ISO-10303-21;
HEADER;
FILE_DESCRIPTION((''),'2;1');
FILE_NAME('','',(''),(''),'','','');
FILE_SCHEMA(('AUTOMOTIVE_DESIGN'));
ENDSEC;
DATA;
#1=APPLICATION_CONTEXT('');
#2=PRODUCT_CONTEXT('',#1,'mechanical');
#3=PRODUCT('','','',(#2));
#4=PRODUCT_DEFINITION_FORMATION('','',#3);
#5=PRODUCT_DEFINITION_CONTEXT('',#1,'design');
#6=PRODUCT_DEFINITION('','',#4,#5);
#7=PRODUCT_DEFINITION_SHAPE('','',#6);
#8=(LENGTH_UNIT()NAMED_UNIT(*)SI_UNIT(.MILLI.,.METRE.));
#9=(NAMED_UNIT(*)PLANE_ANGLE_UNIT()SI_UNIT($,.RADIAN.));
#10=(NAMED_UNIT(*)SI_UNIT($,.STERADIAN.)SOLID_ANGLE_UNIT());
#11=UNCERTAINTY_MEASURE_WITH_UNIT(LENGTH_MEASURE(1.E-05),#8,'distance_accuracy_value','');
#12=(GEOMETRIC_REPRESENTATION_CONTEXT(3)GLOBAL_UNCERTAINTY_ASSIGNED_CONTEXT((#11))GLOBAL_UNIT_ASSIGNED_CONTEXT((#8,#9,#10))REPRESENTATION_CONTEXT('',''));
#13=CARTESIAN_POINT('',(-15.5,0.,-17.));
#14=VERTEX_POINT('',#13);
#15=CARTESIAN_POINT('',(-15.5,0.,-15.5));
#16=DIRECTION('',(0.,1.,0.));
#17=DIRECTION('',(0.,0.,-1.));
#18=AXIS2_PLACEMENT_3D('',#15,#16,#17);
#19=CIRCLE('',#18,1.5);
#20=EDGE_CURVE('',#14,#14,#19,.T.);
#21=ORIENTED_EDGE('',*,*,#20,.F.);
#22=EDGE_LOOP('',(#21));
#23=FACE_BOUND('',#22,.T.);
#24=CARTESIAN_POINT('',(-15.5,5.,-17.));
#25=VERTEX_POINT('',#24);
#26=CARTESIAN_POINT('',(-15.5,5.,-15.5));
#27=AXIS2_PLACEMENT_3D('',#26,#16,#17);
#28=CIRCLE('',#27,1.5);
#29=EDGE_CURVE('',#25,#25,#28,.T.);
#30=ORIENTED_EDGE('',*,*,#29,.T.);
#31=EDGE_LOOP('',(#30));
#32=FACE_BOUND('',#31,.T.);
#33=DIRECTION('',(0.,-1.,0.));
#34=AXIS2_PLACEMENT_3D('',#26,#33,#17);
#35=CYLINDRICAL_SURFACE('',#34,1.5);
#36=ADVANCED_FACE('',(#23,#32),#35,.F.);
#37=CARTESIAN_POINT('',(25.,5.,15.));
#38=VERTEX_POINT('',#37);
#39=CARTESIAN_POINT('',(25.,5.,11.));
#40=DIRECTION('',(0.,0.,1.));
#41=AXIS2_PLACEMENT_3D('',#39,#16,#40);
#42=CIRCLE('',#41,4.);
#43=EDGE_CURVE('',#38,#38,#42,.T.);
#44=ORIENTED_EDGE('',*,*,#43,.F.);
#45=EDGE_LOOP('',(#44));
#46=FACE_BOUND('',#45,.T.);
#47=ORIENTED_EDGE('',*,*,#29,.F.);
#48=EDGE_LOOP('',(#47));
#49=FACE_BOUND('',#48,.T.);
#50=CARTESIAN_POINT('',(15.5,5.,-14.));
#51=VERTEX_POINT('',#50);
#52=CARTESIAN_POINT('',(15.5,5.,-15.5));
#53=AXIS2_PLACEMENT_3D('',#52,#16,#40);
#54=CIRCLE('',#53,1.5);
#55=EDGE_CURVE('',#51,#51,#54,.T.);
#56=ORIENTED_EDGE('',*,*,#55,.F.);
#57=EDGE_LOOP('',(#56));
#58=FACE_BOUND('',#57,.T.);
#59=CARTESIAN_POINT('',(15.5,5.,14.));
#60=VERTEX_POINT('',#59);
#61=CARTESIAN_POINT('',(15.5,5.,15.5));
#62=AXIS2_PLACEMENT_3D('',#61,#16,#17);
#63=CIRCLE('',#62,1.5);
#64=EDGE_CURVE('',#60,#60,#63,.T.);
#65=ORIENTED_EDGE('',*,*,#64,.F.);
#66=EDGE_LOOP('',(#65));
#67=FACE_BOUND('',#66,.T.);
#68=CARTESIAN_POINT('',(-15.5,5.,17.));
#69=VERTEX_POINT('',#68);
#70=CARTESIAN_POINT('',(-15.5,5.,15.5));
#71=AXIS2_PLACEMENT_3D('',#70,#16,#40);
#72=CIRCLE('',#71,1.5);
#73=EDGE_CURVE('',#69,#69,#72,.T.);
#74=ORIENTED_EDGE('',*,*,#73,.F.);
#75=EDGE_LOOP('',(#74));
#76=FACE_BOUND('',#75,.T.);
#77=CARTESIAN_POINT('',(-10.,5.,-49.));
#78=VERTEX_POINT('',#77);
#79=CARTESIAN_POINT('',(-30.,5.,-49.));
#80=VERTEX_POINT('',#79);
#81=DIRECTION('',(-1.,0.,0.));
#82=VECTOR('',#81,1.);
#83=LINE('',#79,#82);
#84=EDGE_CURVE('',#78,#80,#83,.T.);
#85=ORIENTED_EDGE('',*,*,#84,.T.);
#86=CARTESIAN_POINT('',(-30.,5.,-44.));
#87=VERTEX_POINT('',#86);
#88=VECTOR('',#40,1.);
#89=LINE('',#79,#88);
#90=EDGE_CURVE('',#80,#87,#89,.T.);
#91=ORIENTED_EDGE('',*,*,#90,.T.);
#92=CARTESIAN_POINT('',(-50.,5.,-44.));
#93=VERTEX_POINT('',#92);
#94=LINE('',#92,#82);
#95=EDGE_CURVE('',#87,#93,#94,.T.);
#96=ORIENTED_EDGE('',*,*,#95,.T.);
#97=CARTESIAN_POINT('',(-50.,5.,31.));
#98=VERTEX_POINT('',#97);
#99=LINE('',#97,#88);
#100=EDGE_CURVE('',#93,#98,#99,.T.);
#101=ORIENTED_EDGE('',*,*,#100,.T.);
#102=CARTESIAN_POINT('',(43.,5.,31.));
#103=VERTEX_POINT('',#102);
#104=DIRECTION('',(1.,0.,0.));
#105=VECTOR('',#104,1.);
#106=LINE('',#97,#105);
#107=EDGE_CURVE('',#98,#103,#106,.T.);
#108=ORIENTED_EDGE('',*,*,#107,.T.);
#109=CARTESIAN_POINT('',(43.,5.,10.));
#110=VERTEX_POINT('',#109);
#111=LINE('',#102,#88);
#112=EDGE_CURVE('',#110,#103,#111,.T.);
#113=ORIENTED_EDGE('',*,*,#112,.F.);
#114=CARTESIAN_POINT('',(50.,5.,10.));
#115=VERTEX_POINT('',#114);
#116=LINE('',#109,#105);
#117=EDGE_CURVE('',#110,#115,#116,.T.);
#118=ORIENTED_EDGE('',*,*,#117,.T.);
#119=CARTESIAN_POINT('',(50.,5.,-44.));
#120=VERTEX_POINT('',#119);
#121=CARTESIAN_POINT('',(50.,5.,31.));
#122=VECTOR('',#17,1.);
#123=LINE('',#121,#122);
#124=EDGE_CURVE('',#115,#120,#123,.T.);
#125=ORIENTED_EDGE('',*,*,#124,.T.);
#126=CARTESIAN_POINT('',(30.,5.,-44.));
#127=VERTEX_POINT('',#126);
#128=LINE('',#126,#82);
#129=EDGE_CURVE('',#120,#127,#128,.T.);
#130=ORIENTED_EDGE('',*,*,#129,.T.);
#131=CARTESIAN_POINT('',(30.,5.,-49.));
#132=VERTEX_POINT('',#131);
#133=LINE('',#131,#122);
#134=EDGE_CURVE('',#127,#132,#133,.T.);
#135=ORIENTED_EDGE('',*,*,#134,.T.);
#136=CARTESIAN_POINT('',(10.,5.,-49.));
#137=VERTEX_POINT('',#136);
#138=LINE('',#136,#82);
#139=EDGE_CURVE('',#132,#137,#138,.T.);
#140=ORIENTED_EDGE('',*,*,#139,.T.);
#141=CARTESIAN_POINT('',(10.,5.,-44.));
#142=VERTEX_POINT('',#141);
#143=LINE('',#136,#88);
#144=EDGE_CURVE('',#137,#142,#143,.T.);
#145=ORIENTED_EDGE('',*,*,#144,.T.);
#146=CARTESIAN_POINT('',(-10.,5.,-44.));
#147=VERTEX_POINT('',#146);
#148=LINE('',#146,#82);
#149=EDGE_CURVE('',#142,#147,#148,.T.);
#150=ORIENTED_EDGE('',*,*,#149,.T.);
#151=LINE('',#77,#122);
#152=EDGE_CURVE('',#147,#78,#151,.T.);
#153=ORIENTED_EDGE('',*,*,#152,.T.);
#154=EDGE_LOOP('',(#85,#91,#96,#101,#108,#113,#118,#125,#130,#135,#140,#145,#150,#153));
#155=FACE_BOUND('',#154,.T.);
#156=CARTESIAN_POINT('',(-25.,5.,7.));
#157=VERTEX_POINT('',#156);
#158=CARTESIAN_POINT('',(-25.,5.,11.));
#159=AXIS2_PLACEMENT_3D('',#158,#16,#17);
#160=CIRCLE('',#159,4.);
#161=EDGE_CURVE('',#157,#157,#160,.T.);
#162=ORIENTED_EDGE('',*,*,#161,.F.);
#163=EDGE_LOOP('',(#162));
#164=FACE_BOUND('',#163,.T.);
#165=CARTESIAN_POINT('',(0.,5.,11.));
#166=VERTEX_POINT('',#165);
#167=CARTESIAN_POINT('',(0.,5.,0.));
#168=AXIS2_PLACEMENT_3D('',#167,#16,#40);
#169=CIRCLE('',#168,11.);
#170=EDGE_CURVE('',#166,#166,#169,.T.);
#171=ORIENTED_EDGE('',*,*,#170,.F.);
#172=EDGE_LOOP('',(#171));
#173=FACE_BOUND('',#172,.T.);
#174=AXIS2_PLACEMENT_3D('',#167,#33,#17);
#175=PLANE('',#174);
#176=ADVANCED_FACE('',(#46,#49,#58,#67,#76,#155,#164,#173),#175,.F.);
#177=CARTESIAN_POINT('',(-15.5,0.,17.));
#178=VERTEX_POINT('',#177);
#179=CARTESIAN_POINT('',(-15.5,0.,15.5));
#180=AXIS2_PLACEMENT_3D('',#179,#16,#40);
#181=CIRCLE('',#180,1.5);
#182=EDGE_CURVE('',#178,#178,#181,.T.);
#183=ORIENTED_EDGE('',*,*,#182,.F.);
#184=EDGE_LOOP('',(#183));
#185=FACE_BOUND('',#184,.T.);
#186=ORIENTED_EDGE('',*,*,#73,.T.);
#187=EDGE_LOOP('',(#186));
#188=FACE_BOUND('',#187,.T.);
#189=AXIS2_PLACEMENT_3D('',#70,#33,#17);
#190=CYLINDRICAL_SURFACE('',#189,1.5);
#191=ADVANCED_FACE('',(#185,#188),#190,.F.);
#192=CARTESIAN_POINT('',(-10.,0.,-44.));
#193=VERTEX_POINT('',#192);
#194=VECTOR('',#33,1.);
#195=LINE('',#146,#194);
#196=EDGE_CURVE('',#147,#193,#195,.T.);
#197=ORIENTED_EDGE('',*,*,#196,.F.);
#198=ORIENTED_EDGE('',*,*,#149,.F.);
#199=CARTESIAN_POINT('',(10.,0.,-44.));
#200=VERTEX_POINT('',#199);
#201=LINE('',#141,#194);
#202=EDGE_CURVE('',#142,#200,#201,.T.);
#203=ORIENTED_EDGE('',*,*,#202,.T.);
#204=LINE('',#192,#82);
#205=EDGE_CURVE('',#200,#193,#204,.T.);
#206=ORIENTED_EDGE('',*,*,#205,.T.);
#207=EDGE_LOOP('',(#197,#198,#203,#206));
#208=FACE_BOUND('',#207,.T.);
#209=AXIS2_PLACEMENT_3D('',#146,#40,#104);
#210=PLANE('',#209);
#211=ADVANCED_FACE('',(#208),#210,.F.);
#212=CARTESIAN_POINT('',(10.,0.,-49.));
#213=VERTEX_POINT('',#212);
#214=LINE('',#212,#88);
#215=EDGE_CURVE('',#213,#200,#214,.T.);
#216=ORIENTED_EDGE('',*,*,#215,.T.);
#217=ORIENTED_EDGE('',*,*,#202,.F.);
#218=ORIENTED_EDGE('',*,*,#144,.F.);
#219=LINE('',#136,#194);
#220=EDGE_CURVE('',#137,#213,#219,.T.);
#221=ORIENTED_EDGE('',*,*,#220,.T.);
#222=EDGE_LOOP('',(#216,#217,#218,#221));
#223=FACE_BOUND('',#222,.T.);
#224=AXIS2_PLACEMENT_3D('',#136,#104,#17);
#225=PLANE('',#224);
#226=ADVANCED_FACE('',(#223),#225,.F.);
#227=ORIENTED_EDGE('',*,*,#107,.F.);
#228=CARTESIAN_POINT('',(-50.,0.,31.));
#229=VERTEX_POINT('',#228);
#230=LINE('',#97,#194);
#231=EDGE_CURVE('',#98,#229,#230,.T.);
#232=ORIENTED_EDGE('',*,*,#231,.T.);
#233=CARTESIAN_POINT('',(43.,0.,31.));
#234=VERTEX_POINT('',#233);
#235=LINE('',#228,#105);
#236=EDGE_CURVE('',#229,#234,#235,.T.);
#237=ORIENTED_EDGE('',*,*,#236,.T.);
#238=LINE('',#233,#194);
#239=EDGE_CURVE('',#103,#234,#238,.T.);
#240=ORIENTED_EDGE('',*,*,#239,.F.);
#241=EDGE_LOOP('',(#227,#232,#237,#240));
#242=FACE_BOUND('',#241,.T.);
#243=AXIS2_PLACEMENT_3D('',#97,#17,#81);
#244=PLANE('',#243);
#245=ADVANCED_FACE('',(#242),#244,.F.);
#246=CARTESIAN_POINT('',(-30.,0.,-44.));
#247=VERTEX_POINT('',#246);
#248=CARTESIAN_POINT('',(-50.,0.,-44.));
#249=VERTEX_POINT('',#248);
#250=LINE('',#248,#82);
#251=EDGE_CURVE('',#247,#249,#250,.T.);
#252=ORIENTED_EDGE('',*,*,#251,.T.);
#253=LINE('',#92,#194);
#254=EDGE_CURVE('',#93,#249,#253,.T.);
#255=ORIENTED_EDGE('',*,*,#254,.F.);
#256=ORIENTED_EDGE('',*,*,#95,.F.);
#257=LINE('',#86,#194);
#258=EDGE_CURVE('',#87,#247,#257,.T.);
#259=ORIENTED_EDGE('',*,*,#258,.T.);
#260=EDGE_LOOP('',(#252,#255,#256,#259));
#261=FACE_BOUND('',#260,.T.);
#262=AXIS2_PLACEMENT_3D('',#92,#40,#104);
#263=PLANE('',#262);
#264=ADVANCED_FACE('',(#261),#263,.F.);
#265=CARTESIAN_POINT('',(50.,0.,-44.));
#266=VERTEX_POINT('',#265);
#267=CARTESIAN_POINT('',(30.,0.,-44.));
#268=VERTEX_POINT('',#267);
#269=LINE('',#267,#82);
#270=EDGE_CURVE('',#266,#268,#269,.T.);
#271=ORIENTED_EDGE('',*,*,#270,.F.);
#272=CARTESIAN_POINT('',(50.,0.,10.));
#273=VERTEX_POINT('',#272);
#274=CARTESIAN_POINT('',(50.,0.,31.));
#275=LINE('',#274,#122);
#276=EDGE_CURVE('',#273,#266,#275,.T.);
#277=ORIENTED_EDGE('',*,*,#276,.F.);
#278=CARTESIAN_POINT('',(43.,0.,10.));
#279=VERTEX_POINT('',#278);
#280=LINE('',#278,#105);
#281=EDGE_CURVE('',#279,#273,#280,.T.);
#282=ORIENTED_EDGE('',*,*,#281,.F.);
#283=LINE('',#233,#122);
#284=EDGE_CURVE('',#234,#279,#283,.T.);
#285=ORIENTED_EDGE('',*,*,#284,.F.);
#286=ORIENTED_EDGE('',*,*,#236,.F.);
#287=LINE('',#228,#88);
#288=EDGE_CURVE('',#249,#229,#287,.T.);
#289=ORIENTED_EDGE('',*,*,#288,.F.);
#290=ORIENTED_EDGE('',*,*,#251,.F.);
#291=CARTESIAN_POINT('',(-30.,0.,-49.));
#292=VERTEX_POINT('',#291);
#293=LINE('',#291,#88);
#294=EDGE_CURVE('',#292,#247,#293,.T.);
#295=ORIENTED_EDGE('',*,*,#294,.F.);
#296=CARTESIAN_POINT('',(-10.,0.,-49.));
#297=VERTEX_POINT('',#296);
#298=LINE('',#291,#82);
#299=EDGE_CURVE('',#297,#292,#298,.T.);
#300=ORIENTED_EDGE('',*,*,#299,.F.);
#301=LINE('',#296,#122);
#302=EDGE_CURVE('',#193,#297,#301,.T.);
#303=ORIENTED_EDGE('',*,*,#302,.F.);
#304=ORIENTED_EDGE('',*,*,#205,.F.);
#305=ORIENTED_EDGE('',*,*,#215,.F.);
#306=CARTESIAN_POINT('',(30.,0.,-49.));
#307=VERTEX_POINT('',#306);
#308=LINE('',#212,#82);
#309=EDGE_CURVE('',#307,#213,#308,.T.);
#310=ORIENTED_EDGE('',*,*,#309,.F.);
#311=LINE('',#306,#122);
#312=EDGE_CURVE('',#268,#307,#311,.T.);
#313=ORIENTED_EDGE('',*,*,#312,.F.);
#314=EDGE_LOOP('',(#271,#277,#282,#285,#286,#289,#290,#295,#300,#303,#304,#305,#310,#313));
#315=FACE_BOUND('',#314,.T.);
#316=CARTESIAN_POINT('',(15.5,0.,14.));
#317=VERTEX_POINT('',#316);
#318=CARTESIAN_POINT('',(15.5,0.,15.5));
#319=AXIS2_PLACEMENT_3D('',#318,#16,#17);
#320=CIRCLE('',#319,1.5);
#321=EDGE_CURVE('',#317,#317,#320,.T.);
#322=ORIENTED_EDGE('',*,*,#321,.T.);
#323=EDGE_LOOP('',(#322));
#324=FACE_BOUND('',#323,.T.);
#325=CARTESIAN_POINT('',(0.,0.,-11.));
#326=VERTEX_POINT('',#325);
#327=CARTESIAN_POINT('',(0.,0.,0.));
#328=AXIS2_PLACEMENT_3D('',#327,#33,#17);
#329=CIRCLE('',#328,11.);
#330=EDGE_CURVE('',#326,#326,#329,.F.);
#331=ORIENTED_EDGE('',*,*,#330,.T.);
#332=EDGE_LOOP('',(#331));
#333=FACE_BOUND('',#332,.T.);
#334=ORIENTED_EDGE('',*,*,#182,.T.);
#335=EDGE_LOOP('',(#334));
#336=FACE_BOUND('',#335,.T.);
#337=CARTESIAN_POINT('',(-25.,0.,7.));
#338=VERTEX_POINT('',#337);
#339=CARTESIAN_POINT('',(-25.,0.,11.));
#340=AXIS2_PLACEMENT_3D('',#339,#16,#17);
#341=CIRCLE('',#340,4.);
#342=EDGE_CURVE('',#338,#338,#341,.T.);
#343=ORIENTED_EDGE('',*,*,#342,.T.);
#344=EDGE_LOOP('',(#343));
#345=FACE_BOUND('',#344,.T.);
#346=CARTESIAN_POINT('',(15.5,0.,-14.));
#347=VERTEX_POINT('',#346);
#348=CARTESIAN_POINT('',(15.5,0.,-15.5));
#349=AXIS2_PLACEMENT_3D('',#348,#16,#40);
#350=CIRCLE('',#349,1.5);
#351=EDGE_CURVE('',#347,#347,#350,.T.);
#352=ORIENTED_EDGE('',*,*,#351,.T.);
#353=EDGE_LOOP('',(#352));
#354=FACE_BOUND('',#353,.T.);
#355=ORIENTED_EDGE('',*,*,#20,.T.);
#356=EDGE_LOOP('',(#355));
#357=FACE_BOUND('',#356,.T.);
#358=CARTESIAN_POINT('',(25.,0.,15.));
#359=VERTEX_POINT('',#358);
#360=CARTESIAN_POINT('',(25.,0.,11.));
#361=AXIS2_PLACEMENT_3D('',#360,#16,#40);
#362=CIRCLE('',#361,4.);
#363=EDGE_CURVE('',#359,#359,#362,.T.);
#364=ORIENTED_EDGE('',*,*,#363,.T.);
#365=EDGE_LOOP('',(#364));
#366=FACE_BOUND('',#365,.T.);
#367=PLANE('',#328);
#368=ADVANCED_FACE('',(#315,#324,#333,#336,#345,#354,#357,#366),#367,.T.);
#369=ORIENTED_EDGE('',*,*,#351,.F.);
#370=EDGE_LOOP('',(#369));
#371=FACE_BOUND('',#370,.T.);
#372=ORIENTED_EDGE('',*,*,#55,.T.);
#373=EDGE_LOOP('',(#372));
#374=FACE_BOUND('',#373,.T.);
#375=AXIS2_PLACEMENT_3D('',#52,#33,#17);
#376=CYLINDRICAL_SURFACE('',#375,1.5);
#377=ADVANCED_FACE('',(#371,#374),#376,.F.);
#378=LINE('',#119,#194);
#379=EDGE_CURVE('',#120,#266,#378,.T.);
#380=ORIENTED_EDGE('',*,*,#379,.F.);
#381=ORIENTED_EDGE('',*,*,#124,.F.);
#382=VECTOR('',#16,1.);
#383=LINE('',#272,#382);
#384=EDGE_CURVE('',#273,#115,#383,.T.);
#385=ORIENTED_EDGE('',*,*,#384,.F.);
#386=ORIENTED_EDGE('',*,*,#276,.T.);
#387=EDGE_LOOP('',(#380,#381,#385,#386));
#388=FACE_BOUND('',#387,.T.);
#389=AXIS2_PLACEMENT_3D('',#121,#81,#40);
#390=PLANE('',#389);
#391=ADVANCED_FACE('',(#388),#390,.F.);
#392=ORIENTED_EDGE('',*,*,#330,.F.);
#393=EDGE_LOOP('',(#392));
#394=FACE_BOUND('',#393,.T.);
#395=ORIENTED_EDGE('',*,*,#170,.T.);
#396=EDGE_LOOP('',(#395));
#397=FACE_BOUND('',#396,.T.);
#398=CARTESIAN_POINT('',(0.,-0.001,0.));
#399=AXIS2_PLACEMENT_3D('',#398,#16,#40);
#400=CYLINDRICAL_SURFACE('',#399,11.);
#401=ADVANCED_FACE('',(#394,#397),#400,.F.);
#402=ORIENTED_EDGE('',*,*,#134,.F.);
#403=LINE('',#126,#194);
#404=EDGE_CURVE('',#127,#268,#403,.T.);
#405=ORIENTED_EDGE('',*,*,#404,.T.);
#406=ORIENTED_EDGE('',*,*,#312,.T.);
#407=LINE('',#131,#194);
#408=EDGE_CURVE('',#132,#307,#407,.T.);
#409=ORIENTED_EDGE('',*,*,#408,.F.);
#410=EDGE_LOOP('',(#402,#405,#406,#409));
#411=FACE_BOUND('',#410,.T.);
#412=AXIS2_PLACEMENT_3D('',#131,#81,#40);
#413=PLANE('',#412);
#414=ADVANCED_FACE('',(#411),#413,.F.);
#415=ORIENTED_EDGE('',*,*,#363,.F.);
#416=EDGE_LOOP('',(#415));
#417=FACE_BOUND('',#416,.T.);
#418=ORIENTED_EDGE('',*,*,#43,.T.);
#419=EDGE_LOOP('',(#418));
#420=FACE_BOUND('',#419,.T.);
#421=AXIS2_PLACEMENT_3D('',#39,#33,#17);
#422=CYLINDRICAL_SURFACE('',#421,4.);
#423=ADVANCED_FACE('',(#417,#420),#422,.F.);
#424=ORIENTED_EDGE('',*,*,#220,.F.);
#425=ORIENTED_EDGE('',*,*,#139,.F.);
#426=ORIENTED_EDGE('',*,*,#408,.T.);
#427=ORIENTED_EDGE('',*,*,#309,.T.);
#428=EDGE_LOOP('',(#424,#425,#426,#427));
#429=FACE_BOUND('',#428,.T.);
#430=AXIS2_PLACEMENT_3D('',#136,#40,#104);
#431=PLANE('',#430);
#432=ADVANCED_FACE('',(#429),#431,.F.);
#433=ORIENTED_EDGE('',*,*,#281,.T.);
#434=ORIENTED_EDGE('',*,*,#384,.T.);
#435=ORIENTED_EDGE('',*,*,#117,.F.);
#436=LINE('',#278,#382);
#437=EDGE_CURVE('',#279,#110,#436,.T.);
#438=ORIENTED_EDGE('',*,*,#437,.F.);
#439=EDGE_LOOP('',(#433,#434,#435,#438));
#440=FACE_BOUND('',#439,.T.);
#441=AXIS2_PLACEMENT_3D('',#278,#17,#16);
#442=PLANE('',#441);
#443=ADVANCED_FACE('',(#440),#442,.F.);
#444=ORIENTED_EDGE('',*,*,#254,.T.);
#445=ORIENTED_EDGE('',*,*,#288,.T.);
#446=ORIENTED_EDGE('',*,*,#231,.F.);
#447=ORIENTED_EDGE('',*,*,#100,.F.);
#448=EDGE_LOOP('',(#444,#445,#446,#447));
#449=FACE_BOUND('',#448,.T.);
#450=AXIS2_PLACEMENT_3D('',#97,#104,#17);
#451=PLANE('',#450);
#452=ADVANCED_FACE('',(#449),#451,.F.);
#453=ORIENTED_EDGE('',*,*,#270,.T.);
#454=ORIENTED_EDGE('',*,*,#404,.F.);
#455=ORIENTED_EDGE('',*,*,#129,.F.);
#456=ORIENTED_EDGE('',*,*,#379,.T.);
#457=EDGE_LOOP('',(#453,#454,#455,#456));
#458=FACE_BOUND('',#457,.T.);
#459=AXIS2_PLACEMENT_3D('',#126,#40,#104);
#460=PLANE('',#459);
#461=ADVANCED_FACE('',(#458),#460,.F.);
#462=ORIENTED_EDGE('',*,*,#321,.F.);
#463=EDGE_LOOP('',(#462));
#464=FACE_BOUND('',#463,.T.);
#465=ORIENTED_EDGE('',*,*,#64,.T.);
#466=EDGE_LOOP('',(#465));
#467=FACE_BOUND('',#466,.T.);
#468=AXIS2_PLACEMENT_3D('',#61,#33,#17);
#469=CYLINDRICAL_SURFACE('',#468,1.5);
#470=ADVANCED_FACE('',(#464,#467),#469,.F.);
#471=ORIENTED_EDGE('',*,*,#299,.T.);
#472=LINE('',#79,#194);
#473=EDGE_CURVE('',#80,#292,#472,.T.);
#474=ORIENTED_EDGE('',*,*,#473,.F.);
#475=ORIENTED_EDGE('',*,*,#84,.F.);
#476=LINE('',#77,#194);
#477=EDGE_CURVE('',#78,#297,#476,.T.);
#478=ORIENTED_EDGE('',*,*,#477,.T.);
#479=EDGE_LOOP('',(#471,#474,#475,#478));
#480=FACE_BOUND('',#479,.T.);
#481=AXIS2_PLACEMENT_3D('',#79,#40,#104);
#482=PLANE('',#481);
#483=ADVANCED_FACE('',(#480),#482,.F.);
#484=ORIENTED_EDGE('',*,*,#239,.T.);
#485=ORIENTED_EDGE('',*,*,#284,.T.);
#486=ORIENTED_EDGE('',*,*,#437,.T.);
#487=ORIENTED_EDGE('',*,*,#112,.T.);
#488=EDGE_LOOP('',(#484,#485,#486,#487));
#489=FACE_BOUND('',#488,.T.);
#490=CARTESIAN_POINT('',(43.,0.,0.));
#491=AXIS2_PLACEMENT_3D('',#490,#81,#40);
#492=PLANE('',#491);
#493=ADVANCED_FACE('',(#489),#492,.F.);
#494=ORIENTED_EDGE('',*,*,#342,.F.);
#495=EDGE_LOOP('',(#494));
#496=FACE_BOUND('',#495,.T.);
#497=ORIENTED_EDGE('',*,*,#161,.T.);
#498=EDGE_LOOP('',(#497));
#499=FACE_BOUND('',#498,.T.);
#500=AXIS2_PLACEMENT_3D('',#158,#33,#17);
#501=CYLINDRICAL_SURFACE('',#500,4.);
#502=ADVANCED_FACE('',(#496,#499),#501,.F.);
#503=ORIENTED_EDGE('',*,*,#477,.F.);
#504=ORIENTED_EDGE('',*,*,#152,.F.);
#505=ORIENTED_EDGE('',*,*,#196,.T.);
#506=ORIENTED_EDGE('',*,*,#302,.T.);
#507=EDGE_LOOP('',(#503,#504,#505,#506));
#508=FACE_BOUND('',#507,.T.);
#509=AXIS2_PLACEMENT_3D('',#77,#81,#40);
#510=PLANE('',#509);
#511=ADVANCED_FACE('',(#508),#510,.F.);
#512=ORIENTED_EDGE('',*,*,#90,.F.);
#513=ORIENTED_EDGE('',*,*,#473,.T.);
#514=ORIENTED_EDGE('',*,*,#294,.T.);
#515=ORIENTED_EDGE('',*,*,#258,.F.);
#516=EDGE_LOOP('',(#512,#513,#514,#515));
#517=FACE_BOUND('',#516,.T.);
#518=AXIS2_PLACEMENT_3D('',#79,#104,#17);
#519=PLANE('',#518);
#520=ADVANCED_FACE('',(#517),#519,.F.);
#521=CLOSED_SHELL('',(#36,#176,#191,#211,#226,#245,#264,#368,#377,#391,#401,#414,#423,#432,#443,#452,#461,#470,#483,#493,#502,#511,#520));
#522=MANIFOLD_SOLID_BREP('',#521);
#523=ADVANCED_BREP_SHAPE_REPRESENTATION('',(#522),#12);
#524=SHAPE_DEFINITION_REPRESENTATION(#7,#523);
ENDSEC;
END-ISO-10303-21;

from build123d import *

# Parameters (mm, degrees)
SKETCH1_R           = 4
SKETCH1_R_2         = 1.5
BOSS_EXTRUDE1_DEPTH = 5
CUT_EXTRUDE1_REACH  = 7
SKETCH2_R           = 11
SKETCH3_W           = 21
SKETCH3_H           = 5
CUT_EXTRUDE2_DEPTH  = 7


with BuildPart() as part:
    # Sketch1 → Boss-Extrude1 (new body)
    with BuildSketch(Plane(origin=(0, 0, 0), x_dir=(1, 0, 0), z_dir=(0, 1, 0))):
        Polygon((-50, 44), (-30, 44), (-30, 49), (-10, 49), (-10, 44), (10, 44), (10, 49), (30, 49), (30, 44), (50, 44), (50, -31), (-50, -31), align=None)
        Circle(SKETCH1_R, mode=Mode.SUBTRACT)
        with Locations((15.5, 15.5)):
            Circle(SKETCH1_R_2, mode=Mode.SUBTRACT)
        with Locations((-15.5, 15.5)):
            Circle(SKETCH1_R_2, mode=Mode.SUBTRACT)
        with Locations((-15.5, -15.5)):
            Circle(SKETCH1_R_2, mode=Mode.SUBTRACT)
        with Locations((15.5, -15.5)):
            Circle(SKETCH1_R_2, mode=Mode.SUBTRACT)
        with Locations((-25, -11)):
            Circle(SKETCH1_R, mode=Mode.SUBTRACT)
        with Locations((25, -11)):
            Circle(SKETCH1_R, mode=Mode.SUBTRACT)
    extrude(amount=BOSS_EXTRUDE1_DEPTH)

    # Sketch2 → Cut-Extrude1 (cut, up to next)
    with BuildSketch(Plane(origin=(0, 5, 0), x_dir=(1, 0, 0), z_dir=(0, 1, 0)), mode=Mode.PRIVATE) as cut_extrude1_sk1:
        Circle(SKETCH2_R)
    cut_extrude1_tool1 = extrude(cut_extrude1_sk1.sketch, amount=-CUT_EXTRUDE1_REACH, mode=Mode.PRIVATE) & part.part
    add(cut_extrude1_tool1.solids().sort_by_distance((0, 5, 0))[0], mode=Mode.SUBTRACT)

    # Sketch3 → Cut-Extrude2 (cut)
    with BuildSketch(Plane(origin=(50, 0, 0), x_dir=(0, 0, -1), z_dir=(1, 0, 0))):
        with Locations((-20.5, 2.5)):
            Rectangle(SKETCH3_W, SKETCH3_H)
    extrude(amount=-CUT_EXTRUDE2_DEPTH, mode=Mode.SUBTRACT)


solid = part.part
